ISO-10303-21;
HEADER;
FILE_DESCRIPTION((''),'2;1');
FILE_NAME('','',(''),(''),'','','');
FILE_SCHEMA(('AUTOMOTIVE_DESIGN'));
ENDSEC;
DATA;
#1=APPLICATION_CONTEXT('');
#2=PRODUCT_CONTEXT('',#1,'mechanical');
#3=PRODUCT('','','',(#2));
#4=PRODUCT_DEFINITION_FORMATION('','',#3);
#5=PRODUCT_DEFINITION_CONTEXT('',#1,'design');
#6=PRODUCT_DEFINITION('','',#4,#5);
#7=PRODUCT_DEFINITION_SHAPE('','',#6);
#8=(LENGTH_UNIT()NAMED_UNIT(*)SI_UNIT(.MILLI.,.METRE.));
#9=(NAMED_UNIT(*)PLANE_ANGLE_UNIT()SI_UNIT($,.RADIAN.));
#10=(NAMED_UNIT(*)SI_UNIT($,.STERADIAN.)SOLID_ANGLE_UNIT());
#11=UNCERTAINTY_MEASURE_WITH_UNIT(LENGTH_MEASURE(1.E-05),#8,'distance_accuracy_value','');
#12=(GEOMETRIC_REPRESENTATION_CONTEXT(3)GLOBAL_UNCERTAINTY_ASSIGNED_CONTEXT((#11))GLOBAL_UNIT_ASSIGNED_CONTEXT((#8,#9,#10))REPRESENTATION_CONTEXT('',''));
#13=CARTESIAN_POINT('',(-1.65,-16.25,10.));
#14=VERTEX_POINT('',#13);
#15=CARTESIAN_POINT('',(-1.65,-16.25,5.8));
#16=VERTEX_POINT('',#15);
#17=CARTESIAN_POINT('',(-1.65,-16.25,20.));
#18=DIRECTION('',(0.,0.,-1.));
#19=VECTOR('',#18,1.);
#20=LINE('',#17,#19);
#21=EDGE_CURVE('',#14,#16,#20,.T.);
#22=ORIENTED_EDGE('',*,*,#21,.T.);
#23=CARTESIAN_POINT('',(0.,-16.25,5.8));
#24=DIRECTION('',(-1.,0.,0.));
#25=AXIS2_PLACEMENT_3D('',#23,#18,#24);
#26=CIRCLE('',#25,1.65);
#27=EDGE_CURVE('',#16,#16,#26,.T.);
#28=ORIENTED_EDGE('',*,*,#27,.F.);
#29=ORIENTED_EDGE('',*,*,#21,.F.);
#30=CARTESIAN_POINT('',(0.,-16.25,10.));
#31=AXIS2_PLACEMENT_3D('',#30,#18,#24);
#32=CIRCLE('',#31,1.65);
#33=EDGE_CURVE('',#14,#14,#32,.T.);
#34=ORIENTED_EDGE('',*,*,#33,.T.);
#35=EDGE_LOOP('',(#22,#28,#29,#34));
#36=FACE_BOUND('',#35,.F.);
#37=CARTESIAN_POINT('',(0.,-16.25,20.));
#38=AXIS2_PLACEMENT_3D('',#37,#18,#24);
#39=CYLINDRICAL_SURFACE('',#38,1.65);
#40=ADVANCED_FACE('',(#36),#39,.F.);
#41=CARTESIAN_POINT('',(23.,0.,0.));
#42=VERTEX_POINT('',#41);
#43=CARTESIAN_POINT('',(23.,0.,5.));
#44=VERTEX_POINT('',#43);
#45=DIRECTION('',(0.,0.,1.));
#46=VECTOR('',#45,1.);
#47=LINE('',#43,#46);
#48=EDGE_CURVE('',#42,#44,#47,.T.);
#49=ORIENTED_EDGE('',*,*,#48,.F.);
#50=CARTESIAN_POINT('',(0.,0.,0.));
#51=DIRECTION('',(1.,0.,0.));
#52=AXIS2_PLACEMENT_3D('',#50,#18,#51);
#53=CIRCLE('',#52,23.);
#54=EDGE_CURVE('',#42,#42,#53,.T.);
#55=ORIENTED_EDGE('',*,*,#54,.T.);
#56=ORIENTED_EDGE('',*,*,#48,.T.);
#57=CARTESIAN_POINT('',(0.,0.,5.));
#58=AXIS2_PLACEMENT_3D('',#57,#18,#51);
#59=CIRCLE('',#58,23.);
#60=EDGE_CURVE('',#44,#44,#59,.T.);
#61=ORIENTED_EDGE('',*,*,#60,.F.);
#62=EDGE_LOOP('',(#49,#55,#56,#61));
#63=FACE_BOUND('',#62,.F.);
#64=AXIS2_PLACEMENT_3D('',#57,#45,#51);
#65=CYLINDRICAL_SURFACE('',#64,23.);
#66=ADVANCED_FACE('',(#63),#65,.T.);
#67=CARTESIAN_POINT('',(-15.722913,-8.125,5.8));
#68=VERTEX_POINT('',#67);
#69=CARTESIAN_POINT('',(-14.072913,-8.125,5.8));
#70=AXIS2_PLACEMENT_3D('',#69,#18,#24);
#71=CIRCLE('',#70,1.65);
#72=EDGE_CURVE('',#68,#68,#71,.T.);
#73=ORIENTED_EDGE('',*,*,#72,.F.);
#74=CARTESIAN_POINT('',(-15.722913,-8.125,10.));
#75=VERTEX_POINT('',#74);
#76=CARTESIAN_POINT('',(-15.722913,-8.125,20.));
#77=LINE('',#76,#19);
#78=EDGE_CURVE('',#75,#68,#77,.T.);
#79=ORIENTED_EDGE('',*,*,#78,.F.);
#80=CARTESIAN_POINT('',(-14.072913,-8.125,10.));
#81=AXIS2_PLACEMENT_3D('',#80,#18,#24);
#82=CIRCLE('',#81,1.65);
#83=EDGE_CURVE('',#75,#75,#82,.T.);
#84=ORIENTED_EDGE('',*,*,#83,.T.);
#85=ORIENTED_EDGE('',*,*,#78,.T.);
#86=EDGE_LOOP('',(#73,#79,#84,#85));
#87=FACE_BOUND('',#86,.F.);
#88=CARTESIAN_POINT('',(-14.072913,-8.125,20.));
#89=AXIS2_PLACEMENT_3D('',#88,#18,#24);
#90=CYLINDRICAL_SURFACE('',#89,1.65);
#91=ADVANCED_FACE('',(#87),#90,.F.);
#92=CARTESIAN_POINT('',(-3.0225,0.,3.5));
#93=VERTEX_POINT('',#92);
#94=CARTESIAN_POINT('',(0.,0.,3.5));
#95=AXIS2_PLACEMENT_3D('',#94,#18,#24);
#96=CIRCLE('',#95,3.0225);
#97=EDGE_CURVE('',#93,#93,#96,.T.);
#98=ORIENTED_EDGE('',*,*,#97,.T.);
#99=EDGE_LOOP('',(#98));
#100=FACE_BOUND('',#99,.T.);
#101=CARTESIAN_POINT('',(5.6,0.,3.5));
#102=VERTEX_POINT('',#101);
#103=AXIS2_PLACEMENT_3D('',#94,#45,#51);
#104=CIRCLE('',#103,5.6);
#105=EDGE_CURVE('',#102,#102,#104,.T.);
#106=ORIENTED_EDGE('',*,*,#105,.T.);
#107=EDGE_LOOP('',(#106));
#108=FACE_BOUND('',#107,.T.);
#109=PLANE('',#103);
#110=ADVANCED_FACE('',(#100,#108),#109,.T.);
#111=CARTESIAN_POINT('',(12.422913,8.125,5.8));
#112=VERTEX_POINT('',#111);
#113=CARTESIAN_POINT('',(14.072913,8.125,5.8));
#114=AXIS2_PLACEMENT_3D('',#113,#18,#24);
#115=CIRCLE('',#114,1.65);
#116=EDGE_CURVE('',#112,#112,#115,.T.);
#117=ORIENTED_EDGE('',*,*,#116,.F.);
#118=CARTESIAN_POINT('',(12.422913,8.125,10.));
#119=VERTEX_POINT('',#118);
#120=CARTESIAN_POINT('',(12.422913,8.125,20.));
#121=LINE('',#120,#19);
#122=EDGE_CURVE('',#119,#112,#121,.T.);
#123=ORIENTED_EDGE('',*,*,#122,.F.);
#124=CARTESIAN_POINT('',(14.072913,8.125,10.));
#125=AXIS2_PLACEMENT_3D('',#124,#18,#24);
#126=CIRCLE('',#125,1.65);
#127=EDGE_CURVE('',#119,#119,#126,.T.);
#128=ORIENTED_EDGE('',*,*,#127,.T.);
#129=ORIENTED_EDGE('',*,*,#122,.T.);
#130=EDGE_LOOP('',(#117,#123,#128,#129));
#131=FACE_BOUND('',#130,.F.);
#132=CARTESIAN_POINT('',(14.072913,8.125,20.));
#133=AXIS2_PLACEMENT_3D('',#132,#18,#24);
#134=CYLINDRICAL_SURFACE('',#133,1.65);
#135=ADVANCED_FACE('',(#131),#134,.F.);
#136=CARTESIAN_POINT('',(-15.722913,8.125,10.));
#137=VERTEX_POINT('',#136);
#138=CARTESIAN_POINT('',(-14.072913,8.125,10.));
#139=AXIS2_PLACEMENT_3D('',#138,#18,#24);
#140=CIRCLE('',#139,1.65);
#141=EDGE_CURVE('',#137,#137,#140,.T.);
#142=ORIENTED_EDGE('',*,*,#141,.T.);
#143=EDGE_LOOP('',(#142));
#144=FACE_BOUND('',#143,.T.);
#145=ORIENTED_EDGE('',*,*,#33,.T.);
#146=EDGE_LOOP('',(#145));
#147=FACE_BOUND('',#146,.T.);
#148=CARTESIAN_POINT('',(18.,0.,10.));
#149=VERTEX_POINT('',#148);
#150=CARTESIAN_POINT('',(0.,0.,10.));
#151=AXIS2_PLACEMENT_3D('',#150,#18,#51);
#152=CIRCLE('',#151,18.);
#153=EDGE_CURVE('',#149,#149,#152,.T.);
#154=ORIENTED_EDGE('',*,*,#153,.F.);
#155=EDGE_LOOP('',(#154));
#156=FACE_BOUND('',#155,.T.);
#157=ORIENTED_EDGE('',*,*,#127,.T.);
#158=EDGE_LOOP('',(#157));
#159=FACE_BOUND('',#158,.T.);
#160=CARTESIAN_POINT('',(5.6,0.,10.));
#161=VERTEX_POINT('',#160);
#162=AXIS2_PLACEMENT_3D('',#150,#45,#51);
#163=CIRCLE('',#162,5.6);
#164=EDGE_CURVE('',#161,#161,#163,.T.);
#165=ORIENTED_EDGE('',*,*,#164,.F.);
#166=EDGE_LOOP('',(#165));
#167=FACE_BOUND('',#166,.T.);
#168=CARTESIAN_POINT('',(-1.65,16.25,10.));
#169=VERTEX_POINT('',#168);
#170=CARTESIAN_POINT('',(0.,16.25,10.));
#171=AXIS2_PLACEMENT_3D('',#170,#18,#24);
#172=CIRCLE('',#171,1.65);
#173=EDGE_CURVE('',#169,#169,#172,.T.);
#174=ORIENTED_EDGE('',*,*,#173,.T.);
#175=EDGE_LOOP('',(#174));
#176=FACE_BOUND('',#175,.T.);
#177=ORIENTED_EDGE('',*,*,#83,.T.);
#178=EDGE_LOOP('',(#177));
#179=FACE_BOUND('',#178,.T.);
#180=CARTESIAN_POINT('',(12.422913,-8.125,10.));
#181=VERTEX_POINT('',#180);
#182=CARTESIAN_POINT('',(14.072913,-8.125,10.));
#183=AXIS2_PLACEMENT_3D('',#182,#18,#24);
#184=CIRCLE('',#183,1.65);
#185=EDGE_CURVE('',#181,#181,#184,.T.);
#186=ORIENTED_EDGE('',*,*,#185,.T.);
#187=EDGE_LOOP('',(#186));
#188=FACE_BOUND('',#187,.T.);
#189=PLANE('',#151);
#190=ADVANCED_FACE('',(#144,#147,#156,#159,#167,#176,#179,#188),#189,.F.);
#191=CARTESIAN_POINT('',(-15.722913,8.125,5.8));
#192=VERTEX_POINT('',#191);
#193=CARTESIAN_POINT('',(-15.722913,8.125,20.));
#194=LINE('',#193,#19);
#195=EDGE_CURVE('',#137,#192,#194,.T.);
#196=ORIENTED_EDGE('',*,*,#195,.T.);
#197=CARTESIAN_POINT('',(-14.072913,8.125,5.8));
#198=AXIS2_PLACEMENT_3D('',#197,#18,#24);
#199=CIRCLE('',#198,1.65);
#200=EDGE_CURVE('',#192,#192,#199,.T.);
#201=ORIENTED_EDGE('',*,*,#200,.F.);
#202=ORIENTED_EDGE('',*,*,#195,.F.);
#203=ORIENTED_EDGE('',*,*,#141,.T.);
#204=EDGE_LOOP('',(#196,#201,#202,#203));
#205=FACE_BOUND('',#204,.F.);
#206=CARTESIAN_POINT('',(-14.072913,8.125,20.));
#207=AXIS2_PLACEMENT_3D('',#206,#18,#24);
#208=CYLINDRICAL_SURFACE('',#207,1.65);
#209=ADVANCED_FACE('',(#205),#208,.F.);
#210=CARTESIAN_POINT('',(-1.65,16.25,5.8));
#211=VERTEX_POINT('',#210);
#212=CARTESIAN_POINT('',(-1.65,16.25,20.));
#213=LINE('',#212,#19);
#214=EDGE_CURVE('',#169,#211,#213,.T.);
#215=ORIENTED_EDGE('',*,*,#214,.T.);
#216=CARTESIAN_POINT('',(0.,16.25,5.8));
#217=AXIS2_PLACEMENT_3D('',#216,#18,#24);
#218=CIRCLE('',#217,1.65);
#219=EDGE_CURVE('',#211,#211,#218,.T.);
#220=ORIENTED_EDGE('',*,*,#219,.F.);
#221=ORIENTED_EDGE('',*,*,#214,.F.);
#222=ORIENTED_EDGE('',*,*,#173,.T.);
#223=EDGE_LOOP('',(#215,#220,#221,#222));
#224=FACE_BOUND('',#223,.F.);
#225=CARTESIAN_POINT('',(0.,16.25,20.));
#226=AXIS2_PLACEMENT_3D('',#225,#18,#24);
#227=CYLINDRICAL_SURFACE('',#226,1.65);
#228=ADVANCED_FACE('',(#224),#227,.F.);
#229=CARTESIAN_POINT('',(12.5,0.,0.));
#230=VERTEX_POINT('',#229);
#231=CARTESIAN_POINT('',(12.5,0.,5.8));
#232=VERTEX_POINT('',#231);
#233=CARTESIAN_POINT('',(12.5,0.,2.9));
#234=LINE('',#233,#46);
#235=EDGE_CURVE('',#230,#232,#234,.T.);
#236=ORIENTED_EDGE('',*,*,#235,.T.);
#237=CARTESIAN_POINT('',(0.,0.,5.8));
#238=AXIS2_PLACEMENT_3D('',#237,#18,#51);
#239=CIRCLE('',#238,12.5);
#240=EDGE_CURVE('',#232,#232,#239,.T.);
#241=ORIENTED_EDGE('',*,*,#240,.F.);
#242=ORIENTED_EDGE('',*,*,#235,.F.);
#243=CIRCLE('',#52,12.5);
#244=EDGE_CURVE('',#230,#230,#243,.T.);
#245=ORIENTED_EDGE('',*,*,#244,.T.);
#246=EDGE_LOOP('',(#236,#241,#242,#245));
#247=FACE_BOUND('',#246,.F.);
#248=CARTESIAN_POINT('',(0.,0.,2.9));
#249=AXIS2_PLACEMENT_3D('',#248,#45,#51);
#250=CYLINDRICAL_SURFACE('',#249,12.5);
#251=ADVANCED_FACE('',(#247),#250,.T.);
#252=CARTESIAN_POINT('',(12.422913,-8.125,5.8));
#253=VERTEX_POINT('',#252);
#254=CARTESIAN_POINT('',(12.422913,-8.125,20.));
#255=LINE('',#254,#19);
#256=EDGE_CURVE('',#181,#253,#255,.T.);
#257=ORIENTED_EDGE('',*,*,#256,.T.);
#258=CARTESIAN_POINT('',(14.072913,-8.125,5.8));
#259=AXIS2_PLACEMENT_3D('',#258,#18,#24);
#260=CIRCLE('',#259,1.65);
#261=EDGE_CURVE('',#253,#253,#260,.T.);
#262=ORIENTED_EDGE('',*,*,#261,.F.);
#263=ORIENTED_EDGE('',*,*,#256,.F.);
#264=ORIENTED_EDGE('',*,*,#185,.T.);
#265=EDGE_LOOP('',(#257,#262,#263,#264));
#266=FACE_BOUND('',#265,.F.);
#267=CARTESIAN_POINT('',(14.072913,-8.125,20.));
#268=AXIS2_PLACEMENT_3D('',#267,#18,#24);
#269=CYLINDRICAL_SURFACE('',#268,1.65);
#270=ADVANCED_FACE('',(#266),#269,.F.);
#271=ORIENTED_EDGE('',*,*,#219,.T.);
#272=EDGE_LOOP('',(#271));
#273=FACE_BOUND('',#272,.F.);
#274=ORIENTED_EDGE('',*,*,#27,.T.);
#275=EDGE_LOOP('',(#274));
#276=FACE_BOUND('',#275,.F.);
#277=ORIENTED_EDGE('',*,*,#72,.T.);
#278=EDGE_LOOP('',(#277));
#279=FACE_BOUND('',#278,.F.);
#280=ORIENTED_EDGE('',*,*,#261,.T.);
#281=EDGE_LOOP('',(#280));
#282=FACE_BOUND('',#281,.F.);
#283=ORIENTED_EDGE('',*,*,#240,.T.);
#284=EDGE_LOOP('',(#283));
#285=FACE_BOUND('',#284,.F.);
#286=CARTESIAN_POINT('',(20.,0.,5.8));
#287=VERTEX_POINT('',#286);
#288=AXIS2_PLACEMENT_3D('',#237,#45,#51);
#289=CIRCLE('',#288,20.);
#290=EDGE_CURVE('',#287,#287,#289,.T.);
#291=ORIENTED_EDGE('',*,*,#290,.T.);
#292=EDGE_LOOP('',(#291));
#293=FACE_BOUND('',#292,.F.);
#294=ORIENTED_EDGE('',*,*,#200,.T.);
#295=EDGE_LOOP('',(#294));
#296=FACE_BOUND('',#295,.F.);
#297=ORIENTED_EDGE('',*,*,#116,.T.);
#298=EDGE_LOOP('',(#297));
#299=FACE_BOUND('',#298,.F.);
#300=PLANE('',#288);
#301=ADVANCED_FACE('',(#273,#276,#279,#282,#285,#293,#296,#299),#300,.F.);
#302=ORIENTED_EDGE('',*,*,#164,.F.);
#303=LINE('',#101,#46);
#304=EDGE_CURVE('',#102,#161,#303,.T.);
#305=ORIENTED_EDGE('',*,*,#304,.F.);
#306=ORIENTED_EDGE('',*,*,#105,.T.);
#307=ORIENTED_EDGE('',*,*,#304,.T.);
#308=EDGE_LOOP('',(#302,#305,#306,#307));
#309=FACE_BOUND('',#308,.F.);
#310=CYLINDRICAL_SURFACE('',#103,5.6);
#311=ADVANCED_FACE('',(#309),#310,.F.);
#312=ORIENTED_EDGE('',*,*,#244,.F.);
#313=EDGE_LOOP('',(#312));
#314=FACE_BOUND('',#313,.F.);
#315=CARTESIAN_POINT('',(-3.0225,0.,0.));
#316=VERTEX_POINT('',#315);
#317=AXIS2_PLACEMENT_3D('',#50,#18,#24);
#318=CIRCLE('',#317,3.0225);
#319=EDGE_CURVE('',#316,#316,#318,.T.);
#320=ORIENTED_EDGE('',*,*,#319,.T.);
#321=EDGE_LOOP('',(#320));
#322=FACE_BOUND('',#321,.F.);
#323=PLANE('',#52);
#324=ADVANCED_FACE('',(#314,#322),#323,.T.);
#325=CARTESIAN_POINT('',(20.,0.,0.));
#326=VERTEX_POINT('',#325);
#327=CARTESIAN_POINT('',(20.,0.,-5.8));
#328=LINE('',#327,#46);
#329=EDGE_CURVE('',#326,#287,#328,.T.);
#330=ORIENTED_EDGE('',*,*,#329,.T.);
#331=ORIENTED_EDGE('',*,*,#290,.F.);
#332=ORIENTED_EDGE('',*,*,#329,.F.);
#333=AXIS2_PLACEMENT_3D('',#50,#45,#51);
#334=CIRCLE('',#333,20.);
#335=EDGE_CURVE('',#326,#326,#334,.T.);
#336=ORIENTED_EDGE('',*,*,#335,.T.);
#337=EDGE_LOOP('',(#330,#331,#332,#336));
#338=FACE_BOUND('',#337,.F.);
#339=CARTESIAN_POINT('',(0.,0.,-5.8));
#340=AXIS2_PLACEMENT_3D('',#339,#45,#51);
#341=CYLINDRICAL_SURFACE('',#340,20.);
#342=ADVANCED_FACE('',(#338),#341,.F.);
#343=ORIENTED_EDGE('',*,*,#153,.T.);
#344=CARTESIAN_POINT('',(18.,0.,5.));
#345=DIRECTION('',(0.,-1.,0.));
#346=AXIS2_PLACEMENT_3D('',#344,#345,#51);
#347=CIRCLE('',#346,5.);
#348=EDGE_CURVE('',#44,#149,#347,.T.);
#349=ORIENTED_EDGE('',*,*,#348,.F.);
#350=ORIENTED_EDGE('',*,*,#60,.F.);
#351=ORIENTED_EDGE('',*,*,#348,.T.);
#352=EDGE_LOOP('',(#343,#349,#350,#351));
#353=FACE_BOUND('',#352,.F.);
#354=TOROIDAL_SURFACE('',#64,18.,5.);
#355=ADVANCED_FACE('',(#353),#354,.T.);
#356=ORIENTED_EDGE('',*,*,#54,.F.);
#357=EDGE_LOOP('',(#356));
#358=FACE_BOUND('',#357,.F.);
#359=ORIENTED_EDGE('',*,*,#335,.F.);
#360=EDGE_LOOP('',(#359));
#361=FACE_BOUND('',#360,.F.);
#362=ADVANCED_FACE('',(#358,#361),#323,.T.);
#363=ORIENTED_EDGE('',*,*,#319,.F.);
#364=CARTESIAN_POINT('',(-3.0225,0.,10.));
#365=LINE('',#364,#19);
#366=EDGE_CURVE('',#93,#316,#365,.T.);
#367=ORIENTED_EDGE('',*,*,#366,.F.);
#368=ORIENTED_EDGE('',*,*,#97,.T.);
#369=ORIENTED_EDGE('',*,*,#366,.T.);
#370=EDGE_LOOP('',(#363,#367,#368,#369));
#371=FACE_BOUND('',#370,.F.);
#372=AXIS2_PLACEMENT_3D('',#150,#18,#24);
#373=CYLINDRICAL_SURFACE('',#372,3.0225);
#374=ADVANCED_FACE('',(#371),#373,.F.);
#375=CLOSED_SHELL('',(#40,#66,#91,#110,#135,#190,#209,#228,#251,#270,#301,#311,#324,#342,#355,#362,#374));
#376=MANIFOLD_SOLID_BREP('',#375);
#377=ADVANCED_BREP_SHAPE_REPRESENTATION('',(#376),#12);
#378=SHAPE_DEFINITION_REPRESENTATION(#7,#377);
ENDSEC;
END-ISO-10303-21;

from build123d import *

# Parameters (mm, degrees)
SKETCH1_W                                           = 23
SKETCH1_H                                           = 10
HOLE1_D                                             = 40
HOLE1_DEPTH                                         = 5.8
SKETCH4_W                                           = 12.5
SKETCH4_H                                           = 5.8
F_4_CLEARANCE_HOLE1_D                               = 3.3
F_4_CLEARANCE_HOLE1_DEPTH                           = 10
CBORE_FOR_12_BINDING_HEAD_MACHINE_SCREW_D           = 6.045
CBORE_FOR_12_BINDING_HEAD_MACHINE_SCREW_DEPTH       = 10
CBORE_FOR_12_BINDING_HEAD_MACHINE_SCREW_CBORE_D     = 11.2
CBORE_FOR_12_BINDING_HEAD_MACHINE_SCREW_CBORE_DEPTH = 6.5
FILLET1_R                                           = 5


with BuildPart() as part:
    # Sketch1 → Revolve1 (revolve)
    with BuildSketch(Plane.XZ):
        with Locations((11.5, 5)):
            Rectangle(SKETCH1_W, SKETCH1_H)
    revolve(axis=Axis((0, 0, 10), (0, 0, -1)))

    # Hole1
    with Locations(Plane(origin=(0, 0, 0), x_dir=(-1, 0, 0), z_dir=(0, 0, -1))):
        with Locations((0, 0)):
            Hole(HOLE1_D / 2, depth=HOLE1_DEPTH)

    # Sketch4 → Revolve2 (revolve)
    with BuildSketch(Plane.XZ):
        with Locations((6.25, 2.9)):
            Rectangle(SKETCH4_W, SKETCH4_H)
    revolve(axis=Axis((0, 0, 5.8), (0, 0, -1)))

    # #4 Clearance Hole1
    with Locations(Plane.XY.offset(10)):
        with Locations((14.072912811, 8.125), (14.072912811, -8.125), (0, -16.25), (-14.072912811, -8.125), (-14.072912811, 8.125), (0, 16.25)):
            Hole(F_4_CLEARANCE_HOLE1_D / 2, depth=F_4_CLEARANCE_HOLE1_DEPTH)

    # CBORE for #12 Binding Head Machine Screw1
    with Locations(Plane.XY.offset(10)):
        with Locations((0, 0)):
            CounterBoreHole(CBORE_FOR_12_BINDING_HEAD_MACHINE_SCREW_D / 2, CBORE_FOR_12_BINDING_HEAD_MACHINE_SCREW_CBORE_D / 2, CBORE_FOR_12_BINDING_HEAD_MACHINE_SCREW_CBORE_DEPTH, depth=CBORE_FOR_12_BINDING_HEAD_MACHINE_SCREW_DEPTH)

    # Fillet1
    fillet1_edges = [part.edges().sort_by_distance(p)[0] for p in [
        (-23, 0, 10),
    ]]
    fillet(fillet1_edges, radius=FILLET1_R)


solid = part.part
